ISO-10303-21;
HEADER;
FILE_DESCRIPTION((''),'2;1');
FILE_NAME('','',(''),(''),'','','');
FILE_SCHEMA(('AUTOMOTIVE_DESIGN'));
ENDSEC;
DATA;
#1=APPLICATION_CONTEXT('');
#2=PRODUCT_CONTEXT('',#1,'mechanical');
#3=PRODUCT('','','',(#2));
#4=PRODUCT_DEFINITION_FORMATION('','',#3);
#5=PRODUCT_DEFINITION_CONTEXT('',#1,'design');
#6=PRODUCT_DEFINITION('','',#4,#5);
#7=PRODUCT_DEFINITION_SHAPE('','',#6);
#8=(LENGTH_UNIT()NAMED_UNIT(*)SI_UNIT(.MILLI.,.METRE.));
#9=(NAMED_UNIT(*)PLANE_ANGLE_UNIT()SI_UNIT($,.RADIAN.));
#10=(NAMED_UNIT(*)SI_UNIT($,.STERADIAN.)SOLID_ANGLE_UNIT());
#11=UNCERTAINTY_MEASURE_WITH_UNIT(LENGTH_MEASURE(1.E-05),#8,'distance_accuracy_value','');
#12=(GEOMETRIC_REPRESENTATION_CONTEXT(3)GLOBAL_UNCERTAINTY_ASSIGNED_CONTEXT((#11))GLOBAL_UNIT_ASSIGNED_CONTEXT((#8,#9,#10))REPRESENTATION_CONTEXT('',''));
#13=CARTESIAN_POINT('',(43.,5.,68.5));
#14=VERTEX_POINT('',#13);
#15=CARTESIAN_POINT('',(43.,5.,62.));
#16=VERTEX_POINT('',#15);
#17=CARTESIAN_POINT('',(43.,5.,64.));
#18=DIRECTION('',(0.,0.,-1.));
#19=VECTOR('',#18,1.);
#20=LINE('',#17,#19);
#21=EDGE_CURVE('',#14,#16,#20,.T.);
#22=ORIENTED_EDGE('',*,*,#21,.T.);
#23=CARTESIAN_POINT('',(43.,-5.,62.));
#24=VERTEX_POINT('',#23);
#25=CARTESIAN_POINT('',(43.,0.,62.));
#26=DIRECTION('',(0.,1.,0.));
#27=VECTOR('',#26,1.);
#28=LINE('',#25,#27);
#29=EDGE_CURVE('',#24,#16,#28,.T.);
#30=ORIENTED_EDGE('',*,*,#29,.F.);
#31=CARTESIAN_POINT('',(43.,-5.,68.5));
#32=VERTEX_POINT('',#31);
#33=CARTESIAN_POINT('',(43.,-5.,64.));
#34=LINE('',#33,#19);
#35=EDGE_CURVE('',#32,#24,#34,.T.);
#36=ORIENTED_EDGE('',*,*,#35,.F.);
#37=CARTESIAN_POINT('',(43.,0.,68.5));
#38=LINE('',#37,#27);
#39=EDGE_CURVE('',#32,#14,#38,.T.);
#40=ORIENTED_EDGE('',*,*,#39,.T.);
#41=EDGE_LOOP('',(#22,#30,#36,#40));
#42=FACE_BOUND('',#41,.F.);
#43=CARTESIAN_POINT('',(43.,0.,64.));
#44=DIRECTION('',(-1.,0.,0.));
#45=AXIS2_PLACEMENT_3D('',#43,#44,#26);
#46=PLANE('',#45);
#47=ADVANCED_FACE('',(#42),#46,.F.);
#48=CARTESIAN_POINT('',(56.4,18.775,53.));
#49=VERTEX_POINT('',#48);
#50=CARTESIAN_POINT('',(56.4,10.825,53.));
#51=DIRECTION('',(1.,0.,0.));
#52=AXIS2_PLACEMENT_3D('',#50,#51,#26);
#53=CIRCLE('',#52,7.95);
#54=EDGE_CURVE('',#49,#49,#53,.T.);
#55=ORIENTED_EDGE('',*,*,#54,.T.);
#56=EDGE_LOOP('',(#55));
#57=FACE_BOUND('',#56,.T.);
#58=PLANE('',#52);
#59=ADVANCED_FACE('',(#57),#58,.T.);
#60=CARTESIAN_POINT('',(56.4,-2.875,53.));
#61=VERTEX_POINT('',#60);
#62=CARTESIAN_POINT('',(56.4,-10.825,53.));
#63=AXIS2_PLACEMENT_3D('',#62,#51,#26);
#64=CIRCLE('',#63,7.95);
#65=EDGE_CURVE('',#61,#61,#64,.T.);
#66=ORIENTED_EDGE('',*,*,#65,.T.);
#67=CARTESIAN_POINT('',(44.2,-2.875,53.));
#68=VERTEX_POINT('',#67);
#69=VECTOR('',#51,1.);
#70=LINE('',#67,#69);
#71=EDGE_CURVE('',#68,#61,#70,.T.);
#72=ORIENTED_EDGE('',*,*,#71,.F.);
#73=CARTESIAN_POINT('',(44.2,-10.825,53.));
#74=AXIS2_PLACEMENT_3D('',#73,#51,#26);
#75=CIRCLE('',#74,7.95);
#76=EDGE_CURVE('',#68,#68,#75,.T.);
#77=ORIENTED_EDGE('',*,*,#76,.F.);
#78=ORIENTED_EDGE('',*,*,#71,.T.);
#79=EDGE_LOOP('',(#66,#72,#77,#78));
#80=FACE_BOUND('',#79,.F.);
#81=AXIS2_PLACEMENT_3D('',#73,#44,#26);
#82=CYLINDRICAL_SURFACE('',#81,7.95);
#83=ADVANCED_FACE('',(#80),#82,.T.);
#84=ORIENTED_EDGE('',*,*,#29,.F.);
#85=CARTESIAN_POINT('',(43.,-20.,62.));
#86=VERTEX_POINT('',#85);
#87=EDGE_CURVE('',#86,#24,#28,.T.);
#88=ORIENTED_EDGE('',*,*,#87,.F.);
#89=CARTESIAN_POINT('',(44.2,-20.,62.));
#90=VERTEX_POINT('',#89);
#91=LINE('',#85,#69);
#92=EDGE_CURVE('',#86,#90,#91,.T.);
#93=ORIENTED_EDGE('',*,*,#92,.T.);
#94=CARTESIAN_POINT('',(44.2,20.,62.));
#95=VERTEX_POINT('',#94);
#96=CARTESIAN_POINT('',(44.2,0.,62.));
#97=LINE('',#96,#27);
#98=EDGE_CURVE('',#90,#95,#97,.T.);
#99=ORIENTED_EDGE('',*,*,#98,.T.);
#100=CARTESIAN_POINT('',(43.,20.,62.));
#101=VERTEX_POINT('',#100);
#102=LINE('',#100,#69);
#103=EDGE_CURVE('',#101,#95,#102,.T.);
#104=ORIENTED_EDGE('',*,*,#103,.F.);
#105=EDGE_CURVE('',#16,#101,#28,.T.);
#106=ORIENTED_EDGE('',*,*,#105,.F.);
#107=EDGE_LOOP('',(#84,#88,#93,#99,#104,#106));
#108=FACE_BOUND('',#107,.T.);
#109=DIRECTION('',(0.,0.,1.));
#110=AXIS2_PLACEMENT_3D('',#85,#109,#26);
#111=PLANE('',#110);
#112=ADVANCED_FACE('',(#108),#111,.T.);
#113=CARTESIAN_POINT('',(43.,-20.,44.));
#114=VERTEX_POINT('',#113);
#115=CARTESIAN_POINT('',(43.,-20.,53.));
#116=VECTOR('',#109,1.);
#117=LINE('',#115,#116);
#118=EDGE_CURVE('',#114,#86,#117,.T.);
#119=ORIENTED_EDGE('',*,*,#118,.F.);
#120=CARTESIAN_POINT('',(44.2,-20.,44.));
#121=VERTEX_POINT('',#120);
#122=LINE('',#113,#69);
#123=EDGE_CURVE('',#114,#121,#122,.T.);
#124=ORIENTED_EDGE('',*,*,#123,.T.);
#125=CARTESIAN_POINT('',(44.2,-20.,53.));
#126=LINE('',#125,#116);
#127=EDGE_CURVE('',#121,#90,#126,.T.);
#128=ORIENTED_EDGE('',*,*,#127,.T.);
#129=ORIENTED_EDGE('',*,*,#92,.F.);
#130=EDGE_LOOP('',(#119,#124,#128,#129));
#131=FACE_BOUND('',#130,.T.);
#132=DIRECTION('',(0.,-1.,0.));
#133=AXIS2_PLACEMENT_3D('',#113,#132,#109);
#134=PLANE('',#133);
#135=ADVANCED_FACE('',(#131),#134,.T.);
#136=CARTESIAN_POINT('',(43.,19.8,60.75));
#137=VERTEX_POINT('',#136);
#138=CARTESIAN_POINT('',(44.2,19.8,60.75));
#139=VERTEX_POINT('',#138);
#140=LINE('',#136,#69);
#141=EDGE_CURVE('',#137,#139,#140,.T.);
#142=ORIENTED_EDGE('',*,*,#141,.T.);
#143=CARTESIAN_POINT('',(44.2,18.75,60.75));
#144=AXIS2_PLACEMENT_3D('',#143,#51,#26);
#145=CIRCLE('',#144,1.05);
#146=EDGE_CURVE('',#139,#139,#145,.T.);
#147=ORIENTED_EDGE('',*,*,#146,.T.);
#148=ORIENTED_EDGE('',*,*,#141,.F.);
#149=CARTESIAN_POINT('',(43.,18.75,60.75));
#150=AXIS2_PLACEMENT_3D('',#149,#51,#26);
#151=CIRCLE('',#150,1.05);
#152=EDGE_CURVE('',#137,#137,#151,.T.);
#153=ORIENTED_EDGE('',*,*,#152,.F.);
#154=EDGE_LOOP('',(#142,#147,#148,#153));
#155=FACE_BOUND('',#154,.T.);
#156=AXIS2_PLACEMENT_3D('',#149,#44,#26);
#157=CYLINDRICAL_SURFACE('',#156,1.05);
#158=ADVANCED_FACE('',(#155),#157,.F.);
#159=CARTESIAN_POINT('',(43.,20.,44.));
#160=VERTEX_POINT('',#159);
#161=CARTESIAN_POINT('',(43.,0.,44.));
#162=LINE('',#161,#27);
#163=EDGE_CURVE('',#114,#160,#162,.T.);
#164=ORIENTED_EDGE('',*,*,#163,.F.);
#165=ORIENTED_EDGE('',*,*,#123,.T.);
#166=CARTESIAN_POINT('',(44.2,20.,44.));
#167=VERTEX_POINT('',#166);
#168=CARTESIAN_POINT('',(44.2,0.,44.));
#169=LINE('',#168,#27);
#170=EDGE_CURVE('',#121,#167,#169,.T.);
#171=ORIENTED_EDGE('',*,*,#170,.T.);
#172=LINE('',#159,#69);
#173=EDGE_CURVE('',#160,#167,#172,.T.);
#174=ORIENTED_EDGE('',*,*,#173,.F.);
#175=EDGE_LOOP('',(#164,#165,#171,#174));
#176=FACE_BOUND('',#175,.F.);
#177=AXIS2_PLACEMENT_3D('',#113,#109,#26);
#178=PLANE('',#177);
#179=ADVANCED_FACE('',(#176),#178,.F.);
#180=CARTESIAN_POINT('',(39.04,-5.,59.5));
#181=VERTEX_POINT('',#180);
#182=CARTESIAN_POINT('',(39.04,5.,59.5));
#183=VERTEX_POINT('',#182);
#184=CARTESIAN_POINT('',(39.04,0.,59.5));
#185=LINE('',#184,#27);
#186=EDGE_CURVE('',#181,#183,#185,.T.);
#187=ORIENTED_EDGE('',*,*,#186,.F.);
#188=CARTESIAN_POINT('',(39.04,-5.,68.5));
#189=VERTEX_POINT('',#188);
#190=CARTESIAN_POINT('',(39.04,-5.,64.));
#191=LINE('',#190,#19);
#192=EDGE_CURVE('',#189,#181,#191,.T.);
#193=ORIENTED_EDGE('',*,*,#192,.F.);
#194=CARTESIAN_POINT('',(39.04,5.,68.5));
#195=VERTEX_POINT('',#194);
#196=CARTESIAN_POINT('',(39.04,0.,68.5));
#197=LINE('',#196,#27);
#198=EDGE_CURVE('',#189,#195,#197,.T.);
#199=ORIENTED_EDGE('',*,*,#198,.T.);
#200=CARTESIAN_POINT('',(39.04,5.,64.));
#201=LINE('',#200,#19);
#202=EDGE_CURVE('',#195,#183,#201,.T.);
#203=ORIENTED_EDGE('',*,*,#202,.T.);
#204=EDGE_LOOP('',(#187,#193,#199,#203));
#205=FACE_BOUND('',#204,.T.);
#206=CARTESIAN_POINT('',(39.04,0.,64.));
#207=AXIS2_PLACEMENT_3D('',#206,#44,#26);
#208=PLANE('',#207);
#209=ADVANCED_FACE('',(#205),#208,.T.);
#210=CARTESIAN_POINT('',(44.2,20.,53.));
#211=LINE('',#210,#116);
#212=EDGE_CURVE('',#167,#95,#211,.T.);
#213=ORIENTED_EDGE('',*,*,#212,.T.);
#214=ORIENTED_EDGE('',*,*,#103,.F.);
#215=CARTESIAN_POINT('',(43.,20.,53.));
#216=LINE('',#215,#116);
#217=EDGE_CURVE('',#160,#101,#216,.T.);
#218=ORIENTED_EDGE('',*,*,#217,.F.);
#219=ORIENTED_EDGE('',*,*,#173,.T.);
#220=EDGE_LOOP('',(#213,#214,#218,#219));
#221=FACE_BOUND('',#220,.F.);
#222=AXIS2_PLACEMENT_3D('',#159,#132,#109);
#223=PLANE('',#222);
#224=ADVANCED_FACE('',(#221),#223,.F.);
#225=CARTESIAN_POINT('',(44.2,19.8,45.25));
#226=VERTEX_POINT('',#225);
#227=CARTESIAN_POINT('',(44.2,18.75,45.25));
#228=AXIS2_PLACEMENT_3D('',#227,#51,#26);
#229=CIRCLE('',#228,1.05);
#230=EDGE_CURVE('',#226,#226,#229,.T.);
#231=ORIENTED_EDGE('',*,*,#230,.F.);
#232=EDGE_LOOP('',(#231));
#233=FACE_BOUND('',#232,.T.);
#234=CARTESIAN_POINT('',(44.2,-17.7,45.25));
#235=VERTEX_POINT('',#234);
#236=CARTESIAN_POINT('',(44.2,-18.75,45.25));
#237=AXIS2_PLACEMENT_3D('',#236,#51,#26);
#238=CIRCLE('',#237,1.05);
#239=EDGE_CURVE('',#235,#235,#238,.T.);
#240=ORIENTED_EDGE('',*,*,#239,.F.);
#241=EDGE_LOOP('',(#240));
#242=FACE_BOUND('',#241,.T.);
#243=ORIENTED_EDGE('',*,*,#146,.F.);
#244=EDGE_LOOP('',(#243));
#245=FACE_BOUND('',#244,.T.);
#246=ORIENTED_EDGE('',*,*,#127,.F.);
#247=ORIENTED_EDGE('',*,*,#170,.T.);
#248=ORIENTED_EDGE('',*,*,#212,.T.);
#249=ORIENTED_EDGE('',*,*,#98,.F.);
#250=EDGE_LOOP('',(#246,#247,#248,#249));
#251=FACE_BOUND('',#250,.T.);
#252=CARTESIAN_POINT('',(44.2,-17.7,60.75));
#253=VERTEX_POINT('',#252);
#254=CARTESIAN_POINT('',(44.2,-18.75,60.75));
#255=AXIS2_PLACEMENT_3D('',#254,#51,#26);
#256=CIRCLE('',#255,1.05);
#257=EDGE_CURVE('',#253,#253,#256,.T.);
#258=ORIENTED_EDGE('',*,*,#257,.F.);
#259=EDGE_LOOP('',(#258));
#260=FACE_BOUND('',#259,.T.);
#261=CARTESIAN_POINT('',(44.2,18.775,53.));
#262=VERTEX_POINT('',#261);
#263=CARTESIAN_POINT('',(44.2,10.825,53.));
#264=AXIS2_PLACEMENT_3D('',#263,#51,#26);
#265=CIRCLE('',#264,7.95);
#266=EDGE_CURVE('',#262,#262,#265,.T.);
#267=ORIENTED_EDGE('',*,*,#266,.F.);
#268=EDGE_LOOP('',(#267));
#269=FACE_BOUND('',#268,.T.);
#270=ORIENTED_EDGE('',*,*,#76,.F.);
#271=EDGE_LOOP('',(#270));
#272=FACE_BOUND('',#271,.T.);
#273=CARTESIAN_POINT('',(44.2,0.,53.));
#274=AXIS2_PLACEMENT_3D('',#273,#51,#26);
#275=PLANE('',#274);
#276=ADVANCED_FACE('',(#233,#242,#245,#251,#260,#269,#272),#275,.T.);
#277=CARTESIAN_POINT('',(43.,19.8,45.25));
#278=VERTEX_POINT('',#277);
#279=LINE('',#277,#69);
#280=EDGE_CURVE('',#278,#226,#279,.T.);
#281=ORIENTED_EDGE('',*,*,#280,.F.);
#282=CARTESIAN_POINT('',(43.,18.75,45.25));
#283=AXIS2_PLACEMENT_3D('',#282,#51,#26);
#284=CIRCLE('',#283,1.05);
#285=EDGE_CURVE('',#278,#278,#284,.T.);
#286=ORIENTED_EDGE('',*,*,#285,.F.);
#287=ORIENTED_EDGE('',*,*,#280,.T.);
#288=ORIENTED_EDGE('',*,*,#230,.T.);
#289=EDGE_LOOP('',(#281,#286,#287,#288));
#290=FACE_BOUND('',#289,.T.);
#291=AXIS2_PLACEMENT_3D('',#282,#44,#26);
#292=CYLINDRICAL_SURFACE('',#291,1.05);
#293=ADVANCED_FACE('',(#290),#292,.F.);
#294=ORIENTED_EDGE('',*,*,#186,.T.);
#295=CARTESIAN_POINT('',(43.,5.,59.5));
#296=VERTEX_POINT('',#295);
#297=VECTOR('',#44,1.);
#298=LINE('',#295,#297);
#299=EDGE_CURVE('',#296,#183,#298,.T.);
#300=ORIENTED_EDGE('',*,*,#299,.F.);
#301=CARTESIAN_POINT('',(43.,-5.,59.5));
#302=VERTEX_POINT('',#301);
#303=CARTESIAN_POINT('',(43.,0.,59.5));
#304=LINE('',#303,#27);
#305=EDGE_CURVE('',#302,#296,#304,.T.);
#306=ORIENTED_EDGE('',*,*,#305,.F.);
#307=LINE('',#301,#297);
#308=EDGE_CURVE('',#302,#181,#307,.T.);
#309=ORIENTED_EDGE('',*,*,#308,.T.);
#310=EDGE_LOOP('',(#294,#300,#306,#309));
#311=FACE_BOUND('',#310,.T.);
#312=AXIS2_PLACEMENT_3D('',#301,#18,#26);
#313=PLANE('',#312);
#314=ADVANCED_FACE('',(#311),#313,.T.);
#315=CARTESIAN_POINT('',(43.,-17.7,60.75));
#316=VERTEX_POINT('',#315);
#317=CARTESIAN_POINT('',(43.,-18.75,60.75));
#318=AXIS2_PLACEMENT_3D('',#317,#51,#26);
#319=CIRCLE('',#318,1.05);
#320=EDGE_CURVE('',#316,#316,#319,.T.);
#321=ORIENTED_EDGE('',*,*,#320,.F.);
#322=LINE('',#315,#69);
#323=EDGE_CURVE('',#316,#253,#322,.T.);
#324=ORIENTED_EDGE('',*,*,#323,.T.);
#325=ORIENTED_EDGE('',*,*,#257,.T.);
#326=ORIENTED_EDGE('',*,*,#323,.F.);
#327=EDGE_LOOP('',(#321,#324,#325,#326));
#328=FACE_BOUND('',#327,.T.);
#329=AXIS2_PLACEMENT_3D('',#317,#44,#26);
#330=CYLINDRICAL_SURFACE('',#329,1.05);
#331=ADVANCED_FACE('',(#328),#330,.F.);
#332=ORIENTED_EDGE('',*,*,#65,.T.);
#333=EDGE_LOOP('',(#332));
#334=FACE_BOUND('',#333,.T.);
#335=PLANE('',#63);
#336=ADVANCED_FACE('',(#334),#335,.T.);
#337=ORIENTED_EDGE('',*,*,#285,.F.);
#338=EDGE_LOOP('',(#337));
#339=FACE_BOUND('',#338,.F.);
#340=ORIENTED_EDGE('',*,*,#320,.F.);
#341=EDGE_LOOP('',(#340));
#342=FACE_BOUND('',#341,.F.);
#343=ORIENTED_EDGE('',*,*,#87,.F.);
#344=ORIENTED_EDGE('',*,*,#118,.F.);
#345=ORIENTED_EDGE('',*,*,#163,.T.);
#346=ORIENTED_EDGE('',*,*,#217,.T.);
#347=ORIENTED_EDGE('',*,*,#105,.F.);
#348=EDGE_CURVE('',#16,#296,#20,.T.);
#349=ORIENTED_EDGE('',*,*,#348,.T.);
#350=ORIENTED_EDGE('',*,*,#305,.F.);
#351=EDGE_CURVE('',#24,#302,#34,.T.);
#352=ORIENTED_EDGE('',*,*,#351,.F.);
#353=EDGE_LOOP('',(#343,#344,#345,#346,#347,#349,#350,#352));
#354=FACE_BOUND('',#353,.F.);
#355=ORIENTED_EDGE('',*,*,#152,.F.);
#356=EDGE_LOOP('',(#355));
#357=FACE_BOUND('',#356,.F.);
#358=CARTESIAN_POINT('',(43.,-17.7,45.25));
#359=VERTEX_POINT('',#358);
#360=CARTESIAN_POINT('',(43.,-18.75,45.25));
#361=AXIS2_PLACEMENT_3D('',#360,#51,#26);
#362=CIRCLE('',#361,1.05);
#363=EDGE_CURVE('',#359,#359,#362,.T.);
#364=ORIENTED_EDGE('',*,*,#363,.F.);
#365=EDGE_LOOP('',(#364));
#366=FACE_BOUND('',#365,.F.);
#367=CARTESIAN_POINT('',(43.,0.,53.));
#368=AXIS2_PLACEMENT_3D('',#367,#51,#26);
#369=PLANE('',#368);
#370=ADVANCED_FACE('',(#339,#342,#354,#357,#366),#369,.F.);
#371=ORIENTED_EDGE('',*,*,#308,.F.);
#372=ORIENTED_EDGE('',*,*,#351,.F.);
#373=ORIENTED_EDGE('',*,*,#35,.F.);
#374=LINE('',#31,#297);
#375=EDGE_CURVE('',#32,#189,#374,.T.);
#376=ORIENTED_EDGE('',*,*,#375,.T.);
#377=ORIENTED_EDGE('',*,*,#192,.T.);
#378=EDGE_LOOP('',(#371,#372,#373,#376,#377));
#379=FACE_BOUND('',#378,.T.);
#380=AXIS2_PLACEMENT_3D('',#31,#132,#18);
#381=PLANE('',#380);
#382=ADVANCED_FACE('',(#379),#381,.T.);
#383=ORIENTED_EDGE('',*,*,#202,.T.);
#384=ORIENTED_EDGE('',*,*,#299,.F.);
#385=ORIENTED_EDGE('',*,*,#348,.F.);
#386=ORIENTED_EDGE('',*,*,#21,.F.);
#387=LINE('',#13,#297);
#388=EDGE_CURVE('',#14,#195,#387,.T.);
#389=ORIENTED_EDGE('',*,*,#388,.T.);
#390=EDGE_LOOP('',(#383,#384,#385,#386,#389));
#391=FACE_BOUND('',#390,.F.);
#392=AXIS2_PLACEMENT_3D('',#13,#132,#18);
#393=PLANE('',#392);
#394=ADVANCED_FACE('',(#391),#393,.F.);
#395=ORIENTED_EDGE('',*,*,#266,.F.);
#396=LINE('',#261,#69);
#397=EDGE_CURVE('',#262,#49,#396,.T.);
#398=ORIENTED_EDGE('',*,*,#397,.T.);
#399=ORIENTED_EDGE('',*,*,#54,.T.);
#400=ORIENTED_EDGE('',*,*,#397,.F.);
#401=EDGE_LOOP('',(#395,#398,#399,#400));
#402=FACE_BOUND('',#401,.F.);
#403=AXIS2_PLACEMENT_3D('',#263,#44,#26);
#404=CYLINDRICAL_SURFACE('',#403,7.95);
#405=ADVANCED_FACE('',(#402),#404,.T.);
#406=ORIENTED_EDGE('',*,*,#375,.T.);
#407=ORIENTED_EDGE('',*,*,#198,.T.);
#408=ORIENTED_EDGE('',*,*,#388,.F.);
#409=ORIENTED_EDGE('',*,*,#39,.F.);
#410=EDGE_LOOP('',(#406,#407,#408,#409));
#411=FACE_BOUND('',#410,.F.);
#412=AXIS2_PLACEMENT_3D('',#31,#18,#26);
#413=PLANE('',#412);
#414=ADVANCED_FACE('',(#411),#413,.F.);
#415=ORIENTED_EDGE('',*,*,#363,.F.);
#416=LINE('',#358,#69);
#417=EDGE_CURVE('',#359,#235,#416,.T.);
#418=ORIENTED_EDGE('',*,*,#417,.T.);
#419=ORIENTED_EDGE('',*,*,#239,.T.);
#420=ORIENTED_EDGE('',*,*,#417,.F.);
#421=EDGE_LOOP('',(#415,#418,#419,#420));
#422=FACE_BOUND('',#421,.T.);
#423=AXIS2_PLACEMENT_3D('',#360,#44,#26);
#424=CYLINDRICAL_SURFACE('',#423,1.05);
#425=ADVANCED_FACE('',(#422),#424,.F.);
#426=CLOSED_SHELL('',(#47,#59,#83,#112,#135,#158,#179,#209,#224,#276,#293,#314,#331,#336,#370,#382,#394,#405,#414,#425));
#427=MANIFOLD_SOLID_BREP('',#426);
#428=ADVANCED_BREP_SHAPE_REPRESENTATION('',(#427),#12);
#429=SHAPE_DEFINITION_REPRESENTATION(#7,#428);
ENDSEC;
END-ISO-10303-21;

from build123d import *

# Parameters (mm, degrees)
SKETCH031_W             = 40
SKETCH031_H             = 18
SKETCH031_R             = 1.05
PAD019_DEPTH            = 1.2
SKETCH032_R             = 7.95
PAD020_DEPTH            = 12.2
SKETCH033_W             = 10
SKETCH033_H             = 9
PAD021_DEPTH            = 3.96
BODY005_PLACEMENT_ANGLE = 90


with BuildPart() as part:
    # Sketch031 → Pad019 (new body)
    with BuildSketch(Plane.XZ):
        Rectangle(SKETCH031_W, SKETCH031_H)
        with Locations((-18.75, 7.75)):
            Circle(SKETCH031_R, mode=Mode.SUBTRACT)
        with Locations((-18.75, -7.75)):
            Circle(SKETCH031_R, mode=Mode.SUBTRACT)
        with Locations((18.75, -7.75)):
            Circle(SKETCH031_R, mode=Mode.SUBTRACT)
        with Locations((18.75, 7.75)):
            Circle(SKETCH031_R, mode=Mode.SUBTRACT)
    extrude(amount=PAD019_DEPTH)

    # Sketch032 (on Face10 of Pad019) → Pad020 (join)
    with BuildSketch(Plane.XZ.offset(1.2)):
        with Locations((-10.825, 0)):
            Circle(SKETCH032_R)
        with Locations((10.825, 0)):
            Circle(SKETCH032_R)
    extrude(amount=PAD020_DEPTH)

    # Sketch033 (on Face4 of Pad020) → Pad021 (join)
    with BuildSketch(Plane(origin=(0, 0, 0), x_dir=(1, 0, 0), z_dir=(0, 1, 0))):
        with Locations((0, -11)):
            Rectangle(SKETCH033_W, SKETCH033_H)
    extrude(amount=PAD021_DEPTH)


with BuildPart() as part_1:
    # Body005 placement: moved
    add(part.part.moved(Location((43, 0, 53))).rotate(Axis((43, 0, 53), (0, 0, 1)), BODY005_PLACEMENT_ANGLE))


solid = part_1.part
